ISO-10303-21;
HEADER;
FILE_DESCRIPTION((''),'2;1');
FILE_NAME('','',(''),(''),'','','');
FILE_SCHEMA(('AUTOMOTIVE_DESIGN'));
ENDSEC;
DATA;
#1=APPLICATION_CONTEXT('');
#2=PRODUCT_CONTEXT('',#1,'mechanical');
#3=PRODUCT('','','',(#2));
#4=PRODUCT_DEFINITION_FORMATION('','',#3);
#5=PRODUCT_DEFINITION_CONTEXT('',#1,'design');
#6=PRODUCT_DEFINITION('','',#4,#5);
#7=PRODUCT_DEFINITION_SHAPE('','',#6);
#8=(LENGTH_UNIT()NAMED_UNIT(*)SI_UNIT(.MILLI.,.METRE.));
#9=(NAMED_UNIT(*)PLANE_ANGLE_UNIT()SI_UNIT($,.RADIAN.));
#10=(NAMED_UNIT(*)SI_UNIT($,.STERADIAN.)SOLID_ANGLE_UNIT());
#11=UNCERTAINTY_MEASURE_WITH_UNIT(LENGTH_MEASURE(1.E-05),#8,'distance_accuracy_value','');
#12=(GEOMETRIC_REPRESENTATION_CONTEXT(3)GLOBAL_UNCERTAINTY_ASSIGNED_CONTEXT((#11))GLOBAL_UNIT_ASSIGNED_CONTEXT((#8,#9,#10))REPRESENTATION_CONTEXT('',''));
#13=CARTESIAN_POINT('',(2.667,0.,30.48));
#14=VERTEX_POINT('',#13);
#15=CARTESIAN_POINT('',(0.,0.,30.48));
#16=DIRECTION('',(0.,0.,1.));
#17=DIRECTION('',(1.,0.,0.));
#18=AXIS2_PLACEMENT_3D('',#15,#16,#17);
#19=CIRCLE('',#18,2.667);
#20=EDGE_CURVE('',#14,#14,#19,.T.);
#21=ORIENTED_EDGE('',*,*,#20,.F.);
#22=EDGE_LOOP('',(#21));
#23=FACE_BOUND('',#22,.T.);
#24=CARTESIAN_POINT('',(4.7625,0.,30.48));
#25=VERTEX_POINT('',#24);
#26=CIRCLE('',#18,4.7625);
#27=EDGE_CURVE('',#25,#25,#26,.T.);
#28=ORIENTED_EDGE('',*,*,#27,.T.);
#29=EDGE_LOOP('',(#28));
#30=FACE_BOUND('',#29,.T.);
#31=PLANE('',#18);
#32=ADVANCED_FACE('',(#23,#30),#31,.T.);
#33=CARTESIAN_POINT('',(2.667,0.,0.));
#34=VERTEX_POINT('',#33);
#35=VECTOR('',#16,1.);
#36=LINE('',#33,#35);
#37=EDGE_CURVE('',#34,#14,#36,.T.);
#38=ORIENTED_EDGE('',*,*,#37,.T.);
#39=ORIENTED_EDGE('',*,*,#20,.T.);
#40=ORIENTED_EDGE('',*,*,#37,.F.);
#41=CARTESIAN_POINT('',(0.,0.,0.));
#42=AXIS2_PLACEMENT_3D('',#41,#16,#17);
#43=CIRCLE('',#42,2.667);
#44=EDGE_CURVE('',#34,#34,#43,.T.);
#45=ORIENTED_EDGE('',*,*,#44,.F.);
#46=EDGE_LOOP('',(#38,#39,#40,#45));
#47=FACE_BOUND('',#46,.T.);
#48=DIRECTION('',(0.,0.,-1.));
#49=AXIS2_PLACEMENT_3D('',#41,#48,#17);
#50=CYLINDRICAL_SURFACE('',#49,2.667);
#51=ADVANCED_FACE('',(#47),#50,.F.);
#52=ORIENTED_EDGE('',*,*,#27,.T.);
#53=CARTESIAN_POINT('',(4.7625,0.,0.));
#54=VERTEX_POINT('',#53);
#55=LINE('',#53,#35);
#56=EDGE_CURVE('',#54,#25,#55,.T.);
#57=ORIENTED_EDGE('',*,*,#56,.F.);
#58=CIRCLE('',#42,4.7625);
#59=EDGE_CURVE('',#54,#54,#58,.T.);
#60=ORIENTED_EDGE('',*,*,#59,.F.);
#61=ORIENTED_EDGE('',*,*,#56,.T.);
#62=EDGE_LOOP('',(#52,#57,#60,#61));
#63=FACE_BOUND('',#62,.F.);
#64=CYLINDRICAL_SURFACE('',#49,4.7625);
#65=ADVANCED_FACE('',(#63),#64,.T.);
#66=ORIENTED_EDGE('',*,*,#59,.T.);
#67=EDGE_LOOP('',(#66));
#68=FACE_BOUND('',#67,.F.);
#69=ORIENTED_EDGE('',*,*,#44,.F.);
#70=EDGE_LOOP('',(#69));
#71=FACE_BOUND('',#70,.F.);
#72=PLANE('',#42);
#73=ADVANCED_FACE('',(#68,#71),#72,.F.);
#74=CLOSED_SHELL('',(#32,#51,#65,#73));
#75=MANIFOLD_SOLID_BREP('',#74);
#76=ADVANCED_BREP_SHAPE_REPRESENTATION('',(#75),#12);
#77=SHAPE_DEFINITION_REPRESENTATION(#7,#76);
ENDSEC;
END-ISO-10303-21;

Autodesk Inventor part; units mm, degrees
ref_plane "YZ Plane" through (0, 0, 0) normal (1, 0, 0) x (0, 1, 0)
ref_plane "XZ Plane" through (0, 0, 0) normal (0, 1, 0) x (-1, 0, 0)
ref_plane "XY Plane" through (0, 0, 0) normal (0, 0, 1) x (1, 0, 0)
sketch "Sketch1" plane through (0, 0, 0) normal (0, 0, 1) x (1, 0, 0)
  circle A0 centre (0, 0) radius 2.667
  circle A1 centre (0, 0) radius 4.7625
  dimension "d0" = 5.334
  dimension "d1" = 9.525
extrude "Extrusion1" add sketch "Sketch1" along normal blind 30.48
properties part number "1.2inSpacer" material "ABS Plastic"
